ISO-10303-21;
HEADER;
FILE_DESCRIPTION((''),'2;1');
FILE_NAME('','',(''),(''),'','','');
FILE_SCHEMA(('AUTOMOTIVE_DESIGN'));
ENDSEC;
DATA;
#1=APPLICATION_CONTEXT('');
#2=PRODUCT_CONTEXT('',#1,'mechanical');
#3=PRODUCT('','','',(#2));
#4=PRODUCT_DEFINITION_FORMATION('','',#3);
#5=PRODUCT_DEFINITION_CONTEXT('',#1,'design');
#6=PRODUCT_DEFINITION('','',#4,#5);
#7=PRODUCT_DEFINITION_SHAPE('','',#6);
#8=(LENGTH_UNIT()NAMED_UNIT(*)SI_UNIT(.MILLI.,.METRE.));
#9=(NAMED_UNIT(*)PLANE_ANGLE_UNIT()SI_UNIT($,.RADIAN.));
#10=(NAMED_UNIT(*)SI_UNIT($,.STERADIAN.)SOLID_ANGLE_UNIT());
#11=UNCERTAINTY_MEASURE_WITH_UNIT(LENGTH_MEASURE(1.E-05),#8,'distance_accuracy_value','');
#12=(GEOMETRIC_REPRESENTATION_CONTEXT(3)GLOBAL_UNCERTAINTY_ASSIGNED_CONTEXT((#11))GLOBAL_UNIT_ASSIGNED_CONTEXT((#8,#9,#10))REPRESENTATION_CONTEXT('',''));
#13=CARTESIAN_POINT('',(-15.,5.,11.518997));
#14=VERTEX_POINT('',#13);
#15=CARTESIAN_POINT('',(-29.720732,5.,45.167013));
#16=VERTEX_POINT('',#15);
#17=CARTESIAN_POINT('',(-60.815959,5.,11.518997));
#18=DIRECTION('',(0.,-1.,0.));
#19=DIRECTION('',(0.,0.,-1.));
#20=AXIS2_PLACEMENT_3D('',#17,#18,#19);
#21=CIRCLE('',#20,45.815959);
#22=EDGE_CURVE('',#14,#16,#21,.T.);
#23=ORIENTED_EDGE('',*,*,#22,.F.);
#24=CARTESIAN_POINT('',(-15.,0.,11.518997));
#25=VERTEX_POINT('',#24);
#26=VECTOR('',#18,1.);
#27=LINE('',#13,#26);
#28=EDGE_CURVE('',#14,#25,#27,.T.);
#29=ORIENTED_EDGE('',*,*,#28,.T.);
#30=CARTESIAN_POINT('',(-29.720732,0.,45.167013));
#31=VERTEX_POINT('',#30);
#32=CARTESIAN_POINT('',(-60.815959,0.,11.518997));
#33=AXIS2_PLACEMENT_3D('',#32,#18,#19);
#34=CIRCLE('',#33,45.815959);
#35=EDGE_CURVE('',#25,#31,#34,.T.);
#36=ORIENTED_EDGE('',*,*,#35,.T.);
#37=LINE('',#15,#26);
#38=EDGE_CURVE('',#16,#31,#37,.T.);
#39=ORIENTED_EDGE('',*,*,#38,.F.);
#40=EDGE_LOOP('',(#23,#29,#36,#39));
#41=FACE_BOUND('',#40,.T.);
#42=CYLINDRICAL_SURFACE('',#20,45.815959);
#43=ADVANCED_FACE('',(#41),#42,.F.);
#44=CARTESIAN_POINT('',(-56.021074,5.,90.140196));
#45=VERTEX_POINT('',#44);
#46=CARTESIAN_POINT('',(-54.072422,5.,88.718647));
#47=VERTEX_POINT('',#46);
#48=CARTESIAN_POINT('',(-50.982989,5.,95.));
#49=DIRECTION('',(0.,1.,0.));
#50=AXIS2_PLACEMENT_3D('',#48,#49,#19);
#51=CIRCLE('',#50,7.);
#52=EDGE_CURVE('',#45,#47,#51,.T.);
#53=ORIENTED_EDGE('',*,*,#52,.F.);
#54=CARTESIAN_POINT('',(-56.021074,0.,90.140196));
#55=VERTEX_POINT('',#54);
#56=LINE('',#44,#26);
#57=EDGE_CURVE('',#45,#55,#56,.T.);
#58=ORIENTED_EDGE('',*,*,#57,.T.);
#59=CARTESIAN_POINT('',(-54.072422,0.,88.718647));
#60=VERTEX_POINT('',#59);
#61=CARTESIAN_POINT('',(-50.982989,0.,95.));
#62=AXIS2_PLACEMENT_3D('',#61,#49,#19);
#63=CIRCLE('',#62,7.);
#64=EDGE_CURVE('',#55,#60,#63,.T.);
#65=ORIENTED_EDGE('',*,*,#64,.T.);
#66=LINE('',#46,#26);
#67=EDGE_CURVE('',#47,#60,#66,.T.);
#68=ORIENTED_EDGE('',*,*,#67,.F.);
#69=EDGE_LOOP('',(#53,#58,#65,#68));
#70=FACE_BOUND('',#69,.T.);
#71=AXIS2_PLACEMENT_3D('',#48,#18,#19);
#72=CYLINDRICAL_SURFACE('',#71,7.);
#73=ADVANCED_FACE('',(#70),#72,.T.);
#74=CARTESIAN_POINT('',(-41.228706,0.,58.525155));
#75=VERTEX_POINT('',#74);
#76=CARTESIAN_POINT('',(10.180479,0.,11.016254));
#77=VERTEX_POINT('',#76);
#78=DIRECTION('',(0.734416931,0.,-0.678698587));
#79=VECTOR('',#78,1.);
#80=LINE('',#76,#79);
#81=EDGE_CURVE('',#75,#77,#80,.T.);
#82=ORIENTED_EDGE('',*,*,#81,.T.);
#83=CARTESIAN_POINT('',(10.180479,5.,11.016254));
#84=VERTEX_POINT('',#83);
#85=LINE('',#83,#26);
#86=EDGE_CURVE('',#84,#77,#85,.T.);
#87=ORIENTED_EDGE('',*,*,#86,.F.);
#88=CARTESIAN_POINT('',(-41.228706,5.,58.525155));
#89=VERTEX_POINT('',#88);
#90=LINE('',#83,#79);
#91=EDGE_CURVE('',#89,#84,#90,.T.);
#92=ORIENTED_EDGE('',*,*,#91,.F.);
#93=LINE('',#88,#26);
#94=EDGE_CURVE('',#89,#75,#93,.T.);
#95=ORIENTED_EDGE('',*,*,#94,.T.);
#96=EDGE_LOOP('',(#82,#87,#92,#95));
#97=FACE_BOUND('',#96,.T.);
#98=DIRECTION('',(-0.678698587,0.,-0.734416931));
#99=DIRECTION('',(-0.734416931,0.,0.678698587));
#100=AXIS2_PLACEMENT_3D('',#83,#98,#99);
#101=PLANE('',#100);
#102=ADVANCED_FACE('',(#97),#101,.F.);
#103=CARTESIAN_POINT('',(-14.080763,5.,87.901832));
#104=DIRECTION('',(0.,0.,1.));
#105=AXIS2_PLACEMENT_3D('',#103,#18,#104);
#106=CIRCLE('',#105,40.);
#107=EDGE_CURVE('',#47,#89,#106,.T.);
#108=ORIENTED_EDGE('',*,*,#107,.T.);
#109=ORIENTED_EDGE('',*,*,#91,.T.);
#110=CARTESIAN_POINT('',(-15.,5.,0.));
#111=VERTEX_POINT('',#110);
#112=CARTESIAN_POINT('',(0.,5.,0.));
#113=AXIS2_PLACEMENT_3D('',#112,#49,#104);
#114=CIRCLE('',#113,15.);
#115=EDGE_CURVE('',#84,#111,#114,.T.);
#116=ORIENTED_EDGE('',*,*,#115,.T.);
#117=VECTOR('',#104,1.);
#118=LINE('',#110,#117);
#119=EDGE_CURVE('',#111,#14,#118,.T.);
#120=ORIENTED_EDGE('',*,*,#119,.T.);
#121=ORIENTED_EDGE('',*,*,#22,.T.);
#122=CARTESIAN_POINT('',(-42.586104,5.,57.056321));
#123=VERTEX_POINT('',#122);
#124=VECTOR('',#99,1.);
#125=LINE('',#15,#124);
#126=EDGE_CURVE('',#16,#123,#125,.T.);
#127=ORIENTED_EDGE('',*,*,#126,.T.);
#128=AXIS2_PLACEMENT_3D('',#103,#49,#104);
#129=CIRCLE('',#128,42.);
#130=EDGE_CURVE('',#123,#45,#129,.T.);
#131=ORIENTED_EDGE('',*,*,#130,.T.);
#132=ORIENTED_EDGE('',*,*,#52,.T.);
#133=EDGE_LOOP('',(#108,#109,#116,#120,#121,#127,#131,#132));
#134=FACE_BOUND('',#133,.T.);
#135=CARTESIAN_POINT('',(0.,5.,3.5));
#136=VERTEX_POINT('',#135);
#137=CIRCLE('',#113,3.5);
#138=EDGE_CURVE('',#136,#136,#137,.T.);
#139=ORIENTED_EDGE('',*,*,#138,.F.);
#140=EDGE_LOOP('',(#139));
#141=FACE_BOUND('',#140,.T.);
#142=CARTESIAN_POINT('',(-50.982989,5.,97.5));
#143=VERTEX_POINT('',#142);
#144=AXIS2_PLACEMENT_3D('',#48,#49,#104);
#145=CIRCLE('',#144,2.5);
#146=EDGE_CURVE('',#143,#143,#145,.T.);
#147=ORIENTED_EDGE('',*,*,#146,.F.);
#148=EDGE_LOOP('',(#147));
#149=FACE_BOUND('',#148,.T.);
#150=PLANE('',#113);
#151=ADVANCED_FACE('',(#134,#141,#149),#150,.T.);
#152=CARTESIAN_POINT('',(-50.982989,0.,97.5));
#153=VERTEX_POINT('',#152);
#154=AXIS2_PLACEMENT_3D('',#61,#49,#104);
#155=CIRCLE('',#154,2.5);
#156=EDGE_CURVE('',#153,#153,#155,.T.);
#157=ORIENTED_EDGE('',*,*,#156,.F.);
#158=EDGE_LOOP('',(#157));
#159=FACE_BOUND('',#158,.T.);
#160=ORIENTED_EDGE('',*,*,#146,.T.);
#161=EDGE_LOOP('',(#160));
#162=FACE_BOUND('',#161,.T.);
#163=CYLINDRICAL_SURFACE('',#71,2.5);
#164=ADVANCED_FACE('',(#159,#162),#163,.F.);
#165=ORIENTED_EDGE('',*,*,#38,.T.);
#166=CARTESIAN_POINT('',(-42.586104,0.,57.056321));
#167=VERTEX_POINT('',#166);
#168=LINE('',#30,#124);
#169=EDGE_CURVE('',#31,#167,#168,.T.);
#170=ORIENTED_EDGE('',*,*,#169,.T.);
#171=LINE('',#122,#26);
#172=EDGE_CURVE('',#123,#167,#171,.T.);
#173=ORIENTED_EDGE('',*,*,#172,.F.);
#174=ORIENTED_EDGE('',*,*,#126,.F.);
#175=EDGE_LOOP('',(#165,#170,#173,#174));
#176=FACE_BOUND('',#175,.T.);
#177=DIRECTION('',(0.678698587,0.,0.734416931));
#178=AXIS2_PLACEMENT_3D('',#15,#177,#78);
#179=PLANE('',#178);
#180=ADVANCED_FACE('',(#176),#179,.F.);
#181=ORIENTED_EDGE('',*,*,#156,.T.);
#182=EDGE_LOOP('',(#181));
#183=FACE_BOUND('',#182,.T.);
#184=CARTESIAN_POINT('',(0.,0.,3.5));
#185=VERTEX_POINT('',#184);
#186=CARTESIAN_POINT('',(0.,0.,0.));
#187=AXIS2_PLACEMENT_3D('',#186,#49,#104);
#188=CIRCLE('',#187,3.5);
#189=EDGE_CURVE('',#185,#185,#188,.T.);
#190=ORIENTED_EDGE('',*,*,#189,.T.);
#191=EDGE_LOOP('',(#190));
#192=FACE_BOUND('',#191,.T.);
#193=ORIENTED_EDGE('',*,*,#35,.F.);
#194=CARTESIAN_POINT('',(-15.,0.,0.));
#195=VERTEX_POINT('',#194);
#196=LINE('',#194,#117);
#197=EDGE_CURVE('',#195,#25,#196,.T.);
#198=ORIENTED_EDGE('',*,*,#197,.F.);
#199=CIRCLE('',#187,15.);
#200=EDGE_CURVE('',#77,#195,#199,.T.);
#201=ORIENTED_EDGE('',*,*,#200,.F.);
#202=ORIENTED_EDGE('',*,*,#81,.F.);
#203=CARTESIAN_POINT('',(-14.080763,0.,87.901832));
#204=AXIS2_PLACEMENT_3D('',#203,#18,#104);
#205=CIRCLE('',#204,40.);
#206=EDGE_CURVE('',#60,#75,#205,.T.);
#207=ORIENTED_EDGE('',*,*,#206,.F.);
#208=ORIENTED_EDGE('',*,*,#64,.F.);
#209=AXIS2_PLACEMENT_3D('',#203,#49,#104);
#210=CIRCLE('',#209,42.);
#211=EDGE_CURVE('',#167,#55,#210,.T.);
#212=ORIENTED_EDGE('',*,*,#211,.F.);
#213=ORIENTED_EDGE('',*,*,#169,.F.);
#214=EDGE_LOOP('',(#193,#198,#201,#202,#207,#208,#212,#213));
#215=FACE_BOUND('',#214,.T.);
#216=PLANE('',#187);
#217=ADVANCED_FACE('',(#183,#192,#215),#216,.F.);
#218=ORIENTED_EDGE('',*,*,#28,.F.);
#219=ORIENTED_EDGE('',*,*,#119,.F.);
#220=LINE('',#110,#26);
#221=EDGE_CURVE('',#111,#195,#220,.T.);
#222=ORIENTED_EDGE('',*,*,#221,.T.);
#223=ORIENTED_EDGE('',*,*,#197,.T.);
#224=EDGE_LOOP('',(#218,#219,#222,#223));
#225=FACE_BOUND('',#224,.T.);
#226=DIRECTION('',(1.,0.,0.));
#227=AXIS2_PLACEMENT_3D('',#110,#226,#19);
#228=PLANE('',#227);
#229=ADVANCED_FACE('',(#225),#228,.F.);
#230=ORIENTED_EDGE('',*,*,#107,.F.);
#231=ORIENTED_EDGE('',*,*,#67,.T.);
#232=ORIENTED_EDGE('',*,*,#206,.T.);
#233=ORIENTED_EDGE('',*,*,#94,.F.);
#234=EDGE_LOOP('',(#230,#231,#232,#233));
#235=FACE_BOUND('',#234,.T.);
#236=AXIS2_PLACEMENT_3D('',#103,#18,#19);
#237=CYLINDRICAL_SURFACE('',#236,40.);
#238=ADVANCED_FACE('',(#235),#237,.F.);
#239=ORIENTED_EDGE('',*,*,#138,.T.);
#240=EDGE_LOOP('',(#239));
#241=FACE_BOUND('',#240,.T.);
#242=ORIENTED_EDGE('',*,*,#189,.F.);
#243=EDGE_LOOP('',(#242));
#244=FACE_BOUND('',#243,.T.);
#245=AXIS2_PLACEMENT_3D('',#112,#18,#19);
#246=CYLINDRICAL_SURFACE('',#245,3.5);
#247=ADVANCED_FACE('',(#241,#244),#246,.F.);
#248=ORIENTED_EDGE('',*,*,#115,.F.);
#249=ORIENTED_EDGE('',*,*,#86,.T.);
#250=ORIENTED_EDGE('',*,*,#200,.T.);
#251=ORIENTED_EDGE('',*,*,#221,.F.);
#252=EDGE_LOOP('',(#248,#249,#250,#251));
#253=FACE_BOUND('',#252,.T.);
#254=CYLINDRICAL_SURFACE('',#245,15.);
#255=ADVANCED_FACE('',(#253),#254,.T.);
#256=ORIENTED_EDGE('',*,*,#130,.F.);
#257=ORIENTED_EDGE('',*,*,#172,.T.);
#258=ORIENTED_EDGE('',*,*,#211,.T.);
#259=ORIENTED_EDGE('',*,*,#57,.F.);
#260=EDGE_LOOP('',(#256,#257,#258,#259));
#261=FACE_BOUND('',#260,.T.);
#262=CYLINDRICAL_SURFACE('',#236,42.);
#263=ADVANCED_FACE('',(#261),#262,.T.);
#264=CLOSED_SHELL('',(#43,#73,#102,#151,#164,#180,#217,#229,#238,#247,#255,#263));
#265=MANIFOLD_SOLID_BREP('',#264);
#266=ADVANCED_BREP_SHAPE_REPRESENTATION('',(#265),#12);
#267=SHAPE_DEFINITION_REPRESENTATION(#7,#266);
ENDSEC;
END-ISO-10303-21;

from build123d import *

# Parameters (mm, degrees)
ESQUISSE1_R      = 3.5
ESQUISSE1_R_2    = 2.5
EXTRUSION1_DEPTH = 5


with BuildPart() as part:
    # Esquisse1 → Extrusion1 (new body)
    with BuildSketch(Plane(origin=(0, 0, 0), x_dir=(1, 0, 0), z_dir=(0, 1, 0))):
        with BuildLine():
            Line((10.180478804, -11.016253961), (-41.228706345, -58.525155046))
            ThreePointArc((-41.228706345, -58.525155046), (-50.88895895, -72.244351595), (-54.072422177, -88.71864661))
            ThreePointArc((-54.072422177, -88.71864661), (-46.857537983, -100.655144285), (-56.021074344, -90.140196256))
            ThreePointArc((-56.021074344, -90.140196256), (-52.994554425, -72.099401237), (-42.586103519, -57.056321184))
            Line((-42.586103519, -57.056321184), (-29.72073238, -45.167013017))
            ThreePointArc((-29.72073238, -45.167013017), (-18.841206309, -29.882608736), (-15, -11.518997003))
            Line((-15, -11.518997003), (-15, 0))
            ThreePointArc((-15, 0), (6.012188368, 13.74240121), (10.180478804, -11.016253961))
        make_face()
        Circle(ESQUISSE1_R, mode=Mode.SUBTRACT)
        with Locations((-50.982988639, -95)):
            Circle(ESQUISSE1_R_2, mode=Mode.SUBTRACT)
    extrude(amount=EXTRUSION1_DEPTH)


solid = part.part
